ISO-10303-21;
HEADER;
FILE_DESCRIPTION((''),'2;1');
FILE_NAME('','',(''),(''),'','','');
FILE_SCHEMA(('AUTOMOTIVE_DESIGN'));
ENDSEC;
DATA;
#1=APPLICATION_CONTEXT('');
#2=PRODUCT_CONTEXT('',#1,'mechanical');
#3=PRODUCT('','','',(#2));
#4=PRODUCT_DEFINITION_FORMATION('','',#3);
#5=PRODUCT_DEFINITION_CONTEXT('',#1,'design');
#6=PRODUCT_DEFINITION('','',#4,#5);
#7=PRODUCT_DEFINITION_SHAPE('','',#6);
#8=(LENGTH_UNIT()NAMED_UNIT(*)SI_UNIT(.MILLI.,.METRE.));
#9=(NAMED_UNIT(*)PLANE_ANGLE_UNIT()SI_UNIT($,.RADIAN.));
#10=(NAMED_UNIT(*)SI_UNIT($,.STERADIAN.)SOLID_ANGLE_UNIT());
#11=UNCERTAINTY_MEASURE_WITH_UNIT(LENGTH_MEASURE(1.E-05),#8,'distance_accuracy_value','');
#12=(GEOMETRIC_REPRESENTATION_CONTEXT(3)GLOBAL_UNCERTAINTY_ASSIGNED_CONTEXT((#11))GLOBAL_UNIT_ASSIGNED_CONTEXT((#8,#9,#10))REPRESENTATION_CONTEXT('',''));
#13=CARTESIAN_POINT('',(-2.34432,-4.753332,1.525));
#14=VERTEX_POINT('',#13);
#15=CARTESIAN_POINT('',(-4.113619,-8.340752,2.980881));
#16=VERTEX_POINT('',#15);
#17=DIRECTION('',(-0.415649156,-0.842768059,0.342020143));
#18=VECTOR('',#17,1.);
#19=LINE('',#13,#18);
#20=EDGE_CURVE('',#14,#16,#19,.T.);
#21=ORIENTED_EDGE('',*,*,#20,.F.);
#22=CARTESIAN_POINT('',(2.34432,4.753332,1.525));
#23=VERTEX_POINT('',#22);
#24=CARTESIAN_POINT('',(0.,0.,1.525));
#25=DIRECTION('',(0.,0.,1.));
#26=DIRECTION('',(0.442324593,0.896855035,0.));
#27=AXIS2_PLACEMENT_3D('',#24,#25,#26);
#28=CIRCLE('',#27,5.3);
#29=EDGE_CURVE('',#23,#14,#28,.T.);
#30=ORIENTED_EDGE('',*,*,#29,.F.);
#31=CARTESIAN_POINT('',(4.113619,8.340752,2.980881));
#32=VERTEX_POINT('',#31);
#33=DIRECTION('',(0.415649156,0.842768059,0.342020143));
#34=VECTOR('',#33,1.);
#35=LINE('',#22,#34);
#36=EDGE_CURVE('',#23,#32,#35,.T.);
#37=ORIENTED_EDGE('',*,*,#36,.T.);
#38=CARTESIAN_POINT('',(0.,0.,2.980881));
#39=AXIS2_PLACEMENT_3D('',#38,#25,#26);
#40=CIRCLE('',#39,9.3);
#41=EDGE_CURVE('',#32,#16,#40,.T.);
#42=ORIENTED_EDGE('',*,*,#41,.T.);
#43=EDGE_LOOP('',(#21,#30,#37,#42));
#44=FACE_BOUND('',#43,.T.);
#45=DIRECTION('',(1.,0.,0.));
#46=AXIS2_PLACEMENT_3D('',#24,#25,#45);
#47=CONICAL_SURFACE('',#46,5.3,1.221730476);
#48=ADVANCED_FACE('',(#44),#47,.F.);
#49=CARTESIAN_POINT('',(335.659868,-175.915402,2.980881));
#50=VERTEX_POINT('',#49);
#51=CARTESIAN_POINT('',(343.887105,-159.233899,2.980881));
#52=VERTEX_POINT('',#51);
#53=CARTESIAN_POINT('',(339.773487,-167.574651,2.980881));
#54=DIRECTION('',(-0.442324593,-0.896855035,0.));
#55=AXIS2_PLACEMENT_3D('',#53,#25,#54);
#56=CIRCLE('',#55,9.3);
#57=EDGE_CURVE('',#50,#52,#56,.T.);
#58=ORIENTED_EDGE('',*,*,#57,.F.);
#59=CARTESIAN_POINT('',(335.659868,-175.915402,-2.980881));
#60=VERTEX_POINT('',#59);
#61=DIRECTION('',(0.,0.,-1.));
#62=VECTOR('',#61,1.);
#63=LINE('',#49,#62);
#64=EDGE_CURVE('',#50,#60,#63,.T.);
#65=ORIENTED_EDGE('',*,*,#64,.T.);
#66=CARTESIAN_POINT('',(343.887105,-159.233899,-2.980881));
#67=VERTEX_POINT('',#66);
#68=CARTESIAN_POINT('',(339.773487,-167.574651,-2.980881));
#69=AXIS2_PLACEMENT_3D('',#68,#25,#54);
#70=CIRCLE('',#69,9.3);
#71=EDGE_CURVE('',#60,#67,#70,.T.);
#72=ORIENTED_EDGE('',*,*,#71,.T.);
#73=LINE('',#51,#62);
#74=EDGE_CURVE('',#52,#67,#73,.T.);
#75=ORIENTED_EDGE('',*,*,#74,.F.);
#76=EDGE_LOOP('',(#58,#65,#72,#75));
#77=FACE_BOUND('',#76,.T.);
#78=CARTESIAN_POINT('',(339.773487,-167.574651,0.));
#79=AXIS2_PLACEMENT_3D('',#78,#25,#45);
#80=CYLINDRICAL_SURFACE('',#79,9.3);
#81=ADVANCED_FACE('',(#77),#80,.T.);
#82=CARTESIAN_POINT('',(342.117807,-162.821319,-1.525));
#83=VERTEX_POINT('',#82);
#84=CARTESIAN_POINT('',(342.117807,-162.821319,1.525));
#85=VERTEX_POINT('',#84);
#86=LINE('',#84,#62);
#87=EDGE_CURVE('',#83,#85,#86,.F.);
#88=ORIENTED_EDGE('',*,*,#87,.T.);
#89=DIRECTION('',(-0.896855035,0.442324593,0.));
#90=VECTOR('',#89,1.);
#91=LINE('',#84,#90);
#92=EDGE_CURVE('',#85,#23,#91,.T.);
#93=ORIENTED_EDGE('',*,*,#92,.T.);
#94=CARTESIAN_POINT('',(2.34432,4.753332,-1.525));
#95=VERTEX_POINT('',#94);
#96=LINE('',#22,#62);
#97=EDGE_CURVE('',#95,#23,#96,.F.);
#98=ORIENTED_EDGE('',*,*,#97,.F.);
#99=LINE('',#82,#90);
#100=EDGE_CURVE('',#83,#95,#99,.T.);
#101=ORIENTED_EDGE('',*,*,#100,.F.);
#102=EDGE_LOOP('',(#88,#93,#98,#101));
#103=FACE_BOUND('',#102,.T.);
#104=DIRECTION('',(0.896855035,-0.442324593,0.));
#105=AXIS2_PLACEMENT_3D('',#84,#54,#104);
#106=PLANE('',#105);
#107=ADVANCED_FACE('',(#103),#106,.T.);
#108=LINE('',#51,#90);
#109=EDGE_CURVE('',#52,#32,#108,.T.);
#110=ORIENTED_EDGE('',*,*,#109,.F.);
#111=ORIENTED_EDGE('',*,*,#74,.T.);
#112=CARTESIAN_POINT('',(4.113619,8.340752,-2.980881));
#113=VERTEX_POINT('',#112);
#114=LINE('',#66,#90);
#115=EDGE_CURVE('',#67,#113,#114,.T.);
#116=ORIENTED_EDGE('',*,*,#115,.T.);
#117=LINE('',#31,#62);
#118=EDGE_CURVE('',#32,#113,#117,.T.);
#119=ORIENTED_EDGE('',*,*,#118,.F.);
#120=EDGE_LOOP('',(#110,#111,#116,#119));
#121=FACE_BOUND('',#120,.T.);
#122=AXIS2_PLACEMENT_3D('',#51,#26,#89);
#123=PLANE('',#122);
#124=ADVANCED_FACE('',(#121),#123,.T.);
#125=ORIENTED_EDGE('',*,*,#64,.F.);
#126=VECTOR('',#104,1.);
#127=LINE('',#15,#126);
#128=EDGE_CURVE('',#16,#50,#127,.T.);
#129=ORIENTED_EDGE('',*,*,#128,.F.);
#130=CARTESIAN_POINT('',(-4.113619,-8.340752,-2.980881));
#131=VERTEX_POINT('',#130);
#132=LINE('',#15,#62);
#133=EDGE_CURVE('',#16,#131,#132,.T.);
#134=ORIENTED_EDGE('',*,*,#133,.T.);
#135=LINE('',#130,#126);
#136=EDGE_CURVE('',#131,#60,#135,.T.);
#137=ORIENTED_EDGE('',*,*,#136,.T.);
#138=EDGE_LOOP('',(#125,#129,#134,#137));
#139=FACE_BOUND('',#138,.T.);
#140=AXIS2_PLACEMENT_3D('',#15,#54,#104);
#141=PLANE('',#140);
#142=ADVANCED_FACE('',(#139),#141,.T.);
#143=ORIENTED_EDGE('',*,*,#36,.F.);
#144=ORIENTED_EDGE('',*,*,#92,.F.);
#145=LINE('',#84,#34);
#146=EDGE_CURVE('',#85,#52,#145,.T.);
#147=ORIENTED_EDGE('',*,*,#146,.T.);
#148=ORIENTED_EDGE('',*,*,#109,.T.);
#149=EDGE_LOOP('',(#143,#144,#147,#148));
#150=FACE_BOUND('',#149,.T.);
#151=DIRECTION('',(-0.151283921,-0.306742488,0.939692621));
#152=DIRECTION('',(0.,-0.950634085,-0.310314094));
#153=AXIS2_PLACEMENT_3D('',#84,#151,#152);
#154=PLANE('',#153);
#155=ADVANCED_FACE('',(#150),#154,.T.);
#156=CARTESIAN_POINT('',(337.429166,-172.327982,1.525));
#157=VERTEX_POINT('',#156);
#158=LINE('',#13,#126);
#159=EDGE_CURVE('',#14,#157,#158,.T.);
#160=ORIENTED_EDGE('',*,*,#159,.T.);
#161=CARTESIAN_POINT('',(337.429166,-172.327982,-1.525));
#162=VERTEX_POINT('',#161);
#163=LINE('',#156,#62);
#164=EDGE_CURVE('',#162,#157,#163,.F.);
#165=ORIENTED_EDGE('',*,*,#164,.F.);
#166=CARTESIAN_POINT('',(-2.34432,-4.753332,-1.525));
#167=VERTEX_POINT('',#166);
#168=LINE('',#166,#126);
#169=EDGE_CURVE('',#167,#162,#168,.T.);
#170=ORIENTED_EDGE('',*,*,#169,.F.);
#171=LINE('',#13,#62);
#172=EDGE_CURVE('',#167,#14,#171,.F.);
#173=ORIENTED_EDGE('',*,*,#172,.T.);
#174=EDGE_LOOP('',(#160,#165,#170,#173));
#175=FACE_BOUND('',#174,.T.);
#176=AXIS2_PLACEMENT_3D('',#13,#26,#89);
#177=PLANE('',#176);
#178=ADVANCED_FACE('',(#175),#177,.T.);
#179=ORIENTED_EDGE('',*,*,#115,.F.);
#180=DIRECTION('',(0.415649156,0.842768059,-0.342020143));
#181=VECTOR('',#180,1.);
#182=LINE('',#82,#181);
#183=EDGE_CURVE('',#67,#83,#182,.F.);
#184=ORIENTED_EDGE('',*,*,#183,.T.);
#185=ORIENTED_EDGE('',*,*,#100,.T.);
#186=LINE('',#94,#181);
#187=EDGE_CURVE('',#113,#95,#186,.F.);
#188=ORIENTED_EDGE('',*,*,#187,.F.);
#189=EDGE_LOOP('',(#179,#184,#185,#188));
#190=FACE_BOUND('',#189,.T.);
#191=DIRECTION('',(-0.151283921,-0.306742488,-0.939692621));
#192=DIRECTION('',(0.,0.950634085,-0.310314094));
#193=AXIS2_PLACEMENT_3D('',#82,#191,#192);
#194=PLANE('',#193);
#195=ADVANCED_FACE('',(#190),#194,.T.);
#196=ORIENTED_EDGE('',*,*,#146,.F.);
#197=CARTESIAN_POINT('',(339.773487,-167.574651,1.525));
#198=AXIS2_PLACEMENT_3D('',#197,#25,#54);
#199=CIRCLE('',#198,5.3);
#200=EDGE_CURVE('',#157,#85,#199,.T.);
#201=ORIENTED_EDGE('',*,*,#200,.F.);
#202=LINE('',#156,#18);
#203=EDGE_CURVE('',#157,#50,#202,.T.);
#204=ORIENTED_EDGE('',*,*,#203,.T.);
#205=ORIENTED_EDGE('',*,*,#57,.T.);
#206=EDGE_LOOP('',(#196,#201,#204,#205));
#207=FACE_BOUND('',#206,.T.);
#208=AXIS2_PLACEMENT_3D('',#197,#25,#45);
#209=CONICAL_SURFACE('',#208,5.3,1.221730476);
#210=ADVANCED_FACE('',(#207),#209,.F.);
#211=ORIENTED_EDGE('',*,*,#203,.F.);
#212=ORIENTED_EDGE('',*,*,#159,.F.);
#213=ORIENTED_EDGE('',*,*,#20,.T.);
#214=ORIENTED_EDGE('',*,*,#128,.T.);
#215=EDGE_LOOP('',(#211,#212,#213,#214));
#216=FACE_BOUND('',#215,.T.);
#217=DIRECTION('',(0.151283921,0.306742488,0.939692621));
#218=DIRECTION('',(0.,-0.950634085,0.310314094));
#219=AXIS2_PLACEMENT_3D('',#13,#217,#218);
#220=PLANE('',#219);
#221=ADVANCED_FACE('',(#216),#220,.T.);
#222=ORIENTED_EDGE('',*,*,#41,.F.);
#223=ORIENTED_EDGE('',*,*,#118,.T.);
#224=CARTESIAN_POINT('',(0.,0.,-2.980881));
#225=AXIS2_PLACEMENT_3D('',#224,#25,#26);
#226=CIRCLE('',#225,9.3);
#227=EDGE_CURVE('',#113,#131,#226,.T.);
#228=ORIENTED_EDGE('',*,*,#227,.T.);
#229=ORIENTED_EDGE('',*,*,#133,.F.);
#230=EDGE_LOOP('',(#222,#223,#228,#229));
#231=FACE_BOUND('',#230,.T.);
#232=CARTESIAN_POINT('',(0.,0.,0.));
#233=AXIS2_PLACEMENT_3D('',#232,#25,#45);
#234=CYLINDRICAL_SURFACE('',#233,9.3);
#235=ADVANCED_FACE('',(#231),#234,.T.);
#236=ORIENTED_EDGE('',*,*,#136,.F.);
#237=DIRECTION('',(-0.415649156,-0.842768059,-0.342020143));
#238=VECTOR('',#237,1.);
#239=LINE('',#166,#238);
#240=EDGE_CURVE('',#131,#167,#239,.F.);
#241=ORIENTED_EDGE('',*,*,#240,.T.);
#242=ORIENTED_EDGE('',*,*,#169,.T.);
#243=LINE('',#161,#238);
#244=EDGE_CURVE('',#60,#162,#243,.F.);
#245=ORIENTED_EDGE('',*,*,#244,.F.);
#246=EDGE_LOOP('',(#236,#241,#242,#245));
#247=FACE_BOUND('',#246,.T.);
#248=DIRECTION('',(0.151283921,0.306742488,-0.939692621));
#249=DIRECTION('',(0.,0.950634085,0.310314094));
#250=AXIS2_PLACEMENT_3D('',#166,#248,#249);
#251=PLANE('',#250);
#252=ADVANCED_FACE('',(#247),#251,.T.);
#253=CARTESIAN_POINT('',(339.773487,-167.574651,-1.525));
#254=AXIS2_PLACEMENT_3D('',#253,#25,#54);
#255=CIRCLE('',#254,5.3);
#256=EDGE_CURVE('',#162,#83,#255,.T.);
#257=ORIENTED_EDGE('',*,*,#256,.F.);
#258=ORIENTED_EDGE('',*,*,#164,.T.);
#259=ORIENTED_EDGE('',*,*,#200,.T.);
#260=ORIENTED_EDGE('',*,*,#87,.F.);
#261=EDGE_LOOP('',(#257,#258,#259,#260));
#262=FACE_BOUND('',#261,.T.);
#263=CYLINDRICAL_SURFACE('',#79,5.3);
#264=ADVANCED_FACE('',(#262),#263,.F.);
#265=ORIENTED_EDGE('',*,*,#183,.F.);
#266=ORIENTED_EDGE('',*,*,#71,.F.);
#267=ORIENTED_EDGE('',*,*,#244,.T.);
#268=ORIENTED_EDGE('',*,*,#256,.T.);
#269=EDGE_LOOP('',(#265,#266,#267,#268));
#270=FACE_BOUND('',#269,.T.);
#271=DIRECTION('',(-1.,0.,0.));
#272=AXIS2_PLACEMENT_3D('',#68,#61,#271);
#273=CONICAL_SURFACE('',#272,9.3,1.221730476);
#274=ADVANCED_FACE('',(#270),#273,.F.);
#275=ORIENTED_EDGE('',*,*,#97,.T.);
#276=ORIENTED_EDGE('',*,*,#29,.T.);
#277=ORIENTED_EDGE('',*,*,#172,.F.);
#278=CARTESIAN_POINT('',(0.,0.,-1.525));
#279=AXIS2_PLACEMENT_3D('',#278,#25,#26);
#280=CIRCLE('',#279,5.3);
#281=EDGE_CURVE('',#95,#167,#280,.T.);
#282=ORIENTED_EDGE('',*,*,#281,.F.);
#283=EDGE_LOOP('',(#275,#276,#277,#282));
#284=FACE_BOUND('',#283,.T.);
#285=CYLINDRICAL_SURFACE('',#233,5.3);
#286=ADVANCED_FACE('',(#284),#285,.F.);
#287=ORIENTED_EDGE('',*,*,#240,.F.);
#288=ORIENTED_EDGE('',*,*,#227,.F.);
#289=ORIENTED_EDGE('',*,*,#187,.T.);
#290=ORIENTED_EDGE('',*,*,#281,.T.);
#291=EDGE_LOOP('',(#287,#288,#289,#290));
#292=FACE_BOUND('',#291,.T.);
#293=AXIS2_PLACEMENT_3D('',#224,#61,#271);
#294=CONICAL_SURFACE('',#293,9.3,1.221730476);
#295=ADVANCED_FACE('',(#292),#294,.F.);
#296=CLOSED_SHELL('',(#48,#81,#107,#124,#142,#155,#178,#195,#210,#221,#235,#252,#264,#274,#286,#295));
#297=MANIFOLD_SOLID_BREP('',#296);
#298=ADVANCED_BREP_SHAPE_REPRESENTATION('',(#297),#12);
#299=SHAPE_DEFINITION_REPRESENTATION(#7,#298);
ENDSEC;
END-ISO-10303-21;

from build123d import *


with BuildPart() as part:
    # 扫描1: sweep along a path in 草图2
    with BuildLine(Plane.XY) as sweep_1_path:
        Line((2.344320341, 4.753331688), (342.117807065, -162.82131882))
        ThreePointArc((342.117807065, -162.82131882), (344.526818412, -169.91897085), (337.429166382, -172.327982197))
        Line((337.429166382, -172.327982197), (-2.344320341, -4.753331688))
        ThreePointArc((-2.344320341, -4.753331688), (-4.753331688, 2.344320341), (2.344320341, 4.753331688))
    # 草图3 → 扫描1 (sweep)
    with BuildSketch(Plane(origin=(0, 0, 0), x_dir=(0, 0, -1), z_dir=(0.8968550354896064, -0.4423245927109829, 0))):
        Polygon((-1.525, 5.3), (1.525, 5.3), (2.980880937, 9.3), (-2.980880937, 9.3), align=None)
    sweep(path=sweep_1_path.line)


solid = part.part
